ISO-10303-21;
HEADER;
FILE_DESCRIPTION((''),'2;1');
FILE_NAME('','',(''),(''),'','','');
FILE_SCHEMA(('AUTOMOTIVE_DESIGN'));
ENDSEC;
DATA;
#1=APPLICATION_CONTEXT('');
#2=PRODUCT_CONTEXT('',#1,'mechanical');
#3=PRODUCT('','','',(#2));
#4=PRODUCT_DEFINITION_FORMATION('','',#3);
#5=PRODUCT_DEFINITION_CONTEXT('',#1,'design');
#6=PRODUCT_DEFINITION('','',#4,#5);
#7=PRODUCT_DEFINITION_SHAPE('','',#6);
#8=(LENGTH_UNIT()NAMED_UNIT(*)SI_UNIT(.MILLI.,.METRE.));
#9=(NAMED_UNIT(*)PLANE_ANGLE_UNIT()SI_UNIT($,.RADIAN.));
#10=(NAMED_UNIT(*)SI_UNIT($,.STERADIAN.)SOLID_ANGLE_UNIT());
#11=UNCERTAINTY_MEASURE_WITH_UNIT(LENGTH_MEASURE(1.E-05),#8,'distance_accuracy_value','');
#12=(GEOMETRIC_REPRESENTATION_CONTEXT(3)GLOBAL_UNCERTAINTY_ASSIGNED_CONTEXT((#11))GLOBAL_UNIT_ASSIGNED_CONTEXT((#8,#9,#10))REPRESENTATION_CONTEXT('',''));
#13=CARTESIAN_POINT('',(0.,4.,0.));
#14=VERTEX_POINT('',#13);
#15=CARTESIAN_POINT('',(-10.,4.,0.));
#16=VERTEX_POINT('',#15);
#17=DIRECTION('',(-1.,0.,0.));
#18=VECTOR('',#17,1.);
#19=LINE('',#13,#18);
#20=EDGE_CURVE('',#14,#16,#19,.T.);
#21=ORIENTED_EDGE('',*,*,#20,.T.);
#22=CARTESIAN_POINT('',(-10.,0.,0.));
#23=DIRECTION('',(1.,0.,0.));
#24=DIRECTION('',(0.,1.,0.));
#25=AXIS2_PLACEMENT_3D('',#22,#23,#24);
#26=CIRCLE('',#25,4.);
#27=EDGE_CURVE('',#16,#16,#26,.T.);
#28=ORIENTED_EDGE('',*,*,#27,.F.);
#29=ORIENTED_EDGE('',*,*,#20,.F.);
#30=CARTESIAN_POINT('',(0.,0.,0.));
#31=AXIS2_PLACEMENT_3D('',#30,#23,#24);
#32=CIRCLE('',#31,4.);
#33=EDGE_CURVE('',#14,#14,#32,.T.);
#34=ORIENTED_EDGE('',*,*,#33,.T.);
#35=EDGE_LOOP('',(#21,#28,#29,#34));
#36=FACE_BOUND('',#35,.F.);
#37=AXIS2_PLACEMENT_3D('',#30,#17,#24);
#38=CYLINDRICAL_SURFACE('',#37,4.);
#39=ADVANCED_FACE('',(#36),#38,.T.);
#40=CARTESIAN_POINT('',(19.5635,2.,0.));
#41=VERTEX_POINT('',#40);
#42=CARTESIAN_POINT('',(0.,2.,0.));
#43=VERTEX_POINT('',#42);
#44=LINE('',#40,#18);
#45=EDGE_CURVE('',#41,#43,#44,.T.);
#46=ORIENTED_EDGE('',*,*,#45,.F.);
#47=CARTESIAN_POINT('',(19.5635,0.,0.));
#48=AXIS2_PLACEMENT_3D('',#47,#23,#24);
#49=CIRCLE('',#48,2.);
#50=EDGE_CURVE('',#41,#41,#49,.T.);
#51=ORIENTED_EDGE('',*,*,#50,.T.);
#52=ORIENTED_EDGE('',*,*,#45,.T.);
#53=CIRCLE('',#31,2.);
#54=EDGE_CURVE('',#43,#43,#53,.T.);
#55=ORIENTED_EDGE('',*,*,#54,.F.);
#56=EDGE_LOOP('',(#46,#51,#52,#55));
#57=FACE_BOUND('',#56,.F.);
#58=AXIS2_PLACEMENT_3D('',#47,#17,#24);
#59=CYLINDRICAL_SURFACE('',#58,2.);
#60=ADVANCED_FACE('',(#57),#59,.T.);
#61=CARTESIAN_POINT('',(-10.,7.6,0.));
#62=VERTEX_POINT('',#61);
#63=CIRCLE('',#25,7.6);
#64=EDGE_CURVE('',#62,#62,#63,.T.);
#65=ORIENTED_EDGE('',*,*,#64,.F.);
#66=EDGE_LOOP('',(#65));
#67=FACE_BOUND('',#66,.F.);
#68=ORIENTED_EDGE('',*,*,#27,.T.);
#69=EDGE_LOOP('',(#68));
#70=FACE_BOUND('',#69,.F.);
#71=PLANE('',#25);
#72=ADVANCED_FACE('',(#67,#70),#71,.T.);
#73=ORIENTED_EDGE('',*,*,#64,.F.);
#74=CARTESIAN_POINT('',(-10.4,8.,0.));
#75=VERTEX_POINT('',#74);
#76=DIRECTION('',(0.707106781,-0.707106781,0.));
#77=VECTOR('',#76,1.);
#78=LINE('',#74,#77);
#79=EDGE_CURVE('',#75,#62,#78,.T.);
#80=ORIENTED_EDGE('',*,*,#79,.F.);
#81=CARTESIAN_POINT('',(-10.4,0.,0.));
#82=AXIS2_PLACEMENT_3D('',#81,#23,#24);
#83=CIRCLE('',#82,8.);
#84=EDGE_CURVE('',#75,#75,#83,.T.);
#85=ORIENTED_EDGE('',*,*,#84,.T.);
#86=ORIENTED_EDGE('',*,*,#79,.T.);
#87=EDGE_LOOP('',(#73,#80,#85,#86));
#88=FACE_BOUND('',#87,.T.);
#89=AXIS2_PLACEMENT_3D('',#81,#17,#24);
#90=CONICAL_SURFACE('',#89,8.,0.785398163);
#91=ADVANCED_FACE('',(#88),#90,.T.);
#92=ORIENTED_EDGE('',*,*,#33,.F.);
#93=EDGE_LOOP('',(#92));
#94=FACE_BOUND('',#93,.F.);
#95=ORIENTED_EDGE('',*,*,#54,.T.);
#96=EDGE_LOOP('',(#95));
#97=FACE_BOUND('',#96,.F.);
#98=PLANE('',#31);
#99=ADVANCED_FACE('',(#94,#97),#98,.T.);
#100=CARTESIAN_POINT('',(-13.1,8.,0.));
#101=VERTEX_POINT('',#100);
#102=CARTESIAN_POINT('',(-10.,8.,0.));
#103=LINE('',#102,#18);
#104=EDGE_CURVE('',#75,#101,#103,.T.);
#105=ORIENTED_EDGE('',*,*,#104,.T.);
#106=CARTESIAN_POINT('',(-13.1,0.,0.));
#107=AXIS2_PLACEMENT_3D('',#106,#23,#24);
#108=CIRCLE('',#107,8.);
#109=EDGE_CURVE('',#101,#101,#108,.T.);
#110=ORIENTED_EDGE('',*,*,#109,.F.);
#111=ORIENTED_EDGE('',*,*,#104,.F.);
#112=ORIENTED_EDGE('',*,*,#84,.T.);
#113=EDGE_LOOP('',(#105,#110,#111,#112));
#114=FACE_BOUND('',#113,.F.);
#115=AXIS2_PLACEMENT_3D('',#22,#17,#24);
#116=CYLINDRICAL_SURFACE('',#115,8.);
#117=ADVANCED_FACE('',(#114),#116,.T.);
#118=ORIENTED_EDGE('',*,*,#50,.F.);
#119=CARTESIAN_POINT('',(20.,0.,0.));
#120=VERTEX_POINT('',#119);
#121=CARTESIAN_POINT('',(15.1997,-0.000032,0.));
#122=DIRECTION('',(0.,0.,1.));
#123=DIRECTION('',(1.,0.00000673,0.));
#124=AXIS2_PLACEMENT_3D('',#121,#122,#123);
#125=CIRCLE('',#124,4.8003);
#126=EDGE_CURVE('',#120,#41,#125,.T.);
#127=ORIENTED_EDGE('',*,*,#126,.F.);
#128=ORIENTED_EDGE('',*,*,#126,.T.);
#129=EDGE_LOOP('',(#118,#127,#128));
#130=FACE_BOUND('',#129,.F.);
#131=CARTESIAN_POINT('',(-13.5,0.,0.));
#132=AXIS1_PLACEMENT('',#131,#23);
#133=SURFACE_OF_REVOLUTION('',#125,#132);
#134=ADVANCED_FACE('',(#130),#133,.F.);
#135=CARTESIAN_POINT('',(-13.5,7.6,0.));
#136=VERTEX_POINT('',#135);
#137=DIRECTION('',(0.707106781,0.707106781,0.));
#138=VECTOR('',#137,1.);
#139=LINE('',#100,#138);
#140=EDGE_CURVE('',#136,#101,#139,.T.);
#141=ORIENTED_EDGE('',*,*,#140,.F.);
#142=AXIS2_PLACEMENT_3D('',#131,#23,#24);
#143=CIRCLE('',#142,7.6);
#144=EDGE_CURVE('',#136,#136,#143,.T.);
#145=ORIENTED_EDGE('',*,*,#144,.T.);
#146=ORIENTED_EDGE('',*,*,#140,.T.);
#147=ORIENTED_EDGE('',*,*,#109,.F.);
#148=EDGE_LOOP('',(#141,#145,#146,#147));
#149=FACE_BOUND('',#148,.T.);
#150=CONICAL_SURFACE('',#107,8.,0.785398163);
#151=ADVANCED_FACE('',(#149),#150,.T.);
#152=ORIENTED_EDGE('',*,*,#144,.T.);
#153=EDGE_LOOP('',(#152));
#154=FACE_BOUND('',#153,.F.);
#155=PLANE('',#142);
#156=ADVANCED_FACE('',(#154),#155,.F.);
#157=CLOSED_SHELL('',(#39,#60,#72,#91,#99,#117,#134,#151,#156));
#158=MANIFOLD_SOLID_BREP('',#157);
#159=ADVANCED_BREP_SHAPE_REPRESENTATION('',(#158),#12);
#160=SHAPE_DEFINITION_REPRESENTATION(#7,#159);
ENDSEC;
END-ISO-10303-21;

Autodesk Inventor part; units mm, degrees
ref_plane "YZ Plane" through (0, 0, 0) normal (1, 0, 0) x (0, 1, 0)
sketch "Sketch1" plane through (0, 0, 0) normal (0, 0, 1) x (1, 0, 0)
  line L0 (-13.5, 0) -> (20, 0)
  line L1 (20, 0) -> (20, 5) construction
  line L2 (19.5635, 2) -> (0, 2)
  line L3 (0, 2) -> (0, 4)
  line L4 (0, -1.6) -> (0, 9.6) projected
  line L5 (0, 4) -> (-10, 4)
  line L6 (-10, 4) -> (-10, 8)
  line L7 (-10, 8) -> (-13.5, 8)
  line L8 (-13.5, 8) -> (-13.5, 0)
  line L9 (-20.2216, 0) -> (26.8294, 0) projected
  arc A0 (20, 0) -> (19.5635, 2) centre (15.2, 0) ccw
  dimension "d0" = 20
  dimension "d1" = 4
  dimension "d5" = 8
  dimension "d6" = 16
  dimension "d7" = 3.5
  dimension "d9" = 4.8
  dimension "d19" = 13.5
revolve "Body" add sketch "Sketch1" angle 360 about axis through (-13.5, 0, 0) along (1, 0, 0)
thread "Thread" size "M4x0.7" class "6g" standard "ISO Metric profile" length 8.232
chamfer "Chamfer1" distance 0.4 angle 45 2 edges at (-13.5, -8, 0) (-10, -8, 0) measured on face at (-11.1667, 7.8964, -1.2833)
ref_plane "IDS_WORKPLANE{1}" through (-11.75, 0, 0) normal (1, 0, 0) x (0, 0, -1)
ref_plane "Work Plane2" through (2.4127, 0, 0) normal (0, -1, 0) x (1, 0, 0)
equation "\"d2\" = GEL - 0.092 * GD"
equation "\"d10\" = PHH"
equation "\"d11\" = FAWI"
equation "\"d38\" = PHH"
equation "\"d0\" = NLG"
equation "\"d1\" = GD"
equation "\"d5\" = LADI"
equation "\"d6\" = KOD"
equation "\"d7\" = KOH"
equation "\"d9\" = 1.2 * GD"
equation "\"d19\" = KOH + SD"
equation "\"GD\" = 4"
equation "\"NLG\" = 20"
equation "\"GEL\" = 8.6"
equation "\"KOD\" = 16"
equation "\"KOH\" = 3.5"
equation "\"GAL\" = 0.61345 * PTC"
equation "\"SD\" = 10"
equation "\"LADI\" = 8"
equation "\"PHH\" = 0.4"
equation "\"FAWI\" = 45deg"
equation "\"d12\" = -0.5 * KOH"
equation "\"T\" = 0.5"
equation "\"PTC\" = 0.7"
properties part number "UNI 6049 - M4 x 20" material "Steel, Mild"
